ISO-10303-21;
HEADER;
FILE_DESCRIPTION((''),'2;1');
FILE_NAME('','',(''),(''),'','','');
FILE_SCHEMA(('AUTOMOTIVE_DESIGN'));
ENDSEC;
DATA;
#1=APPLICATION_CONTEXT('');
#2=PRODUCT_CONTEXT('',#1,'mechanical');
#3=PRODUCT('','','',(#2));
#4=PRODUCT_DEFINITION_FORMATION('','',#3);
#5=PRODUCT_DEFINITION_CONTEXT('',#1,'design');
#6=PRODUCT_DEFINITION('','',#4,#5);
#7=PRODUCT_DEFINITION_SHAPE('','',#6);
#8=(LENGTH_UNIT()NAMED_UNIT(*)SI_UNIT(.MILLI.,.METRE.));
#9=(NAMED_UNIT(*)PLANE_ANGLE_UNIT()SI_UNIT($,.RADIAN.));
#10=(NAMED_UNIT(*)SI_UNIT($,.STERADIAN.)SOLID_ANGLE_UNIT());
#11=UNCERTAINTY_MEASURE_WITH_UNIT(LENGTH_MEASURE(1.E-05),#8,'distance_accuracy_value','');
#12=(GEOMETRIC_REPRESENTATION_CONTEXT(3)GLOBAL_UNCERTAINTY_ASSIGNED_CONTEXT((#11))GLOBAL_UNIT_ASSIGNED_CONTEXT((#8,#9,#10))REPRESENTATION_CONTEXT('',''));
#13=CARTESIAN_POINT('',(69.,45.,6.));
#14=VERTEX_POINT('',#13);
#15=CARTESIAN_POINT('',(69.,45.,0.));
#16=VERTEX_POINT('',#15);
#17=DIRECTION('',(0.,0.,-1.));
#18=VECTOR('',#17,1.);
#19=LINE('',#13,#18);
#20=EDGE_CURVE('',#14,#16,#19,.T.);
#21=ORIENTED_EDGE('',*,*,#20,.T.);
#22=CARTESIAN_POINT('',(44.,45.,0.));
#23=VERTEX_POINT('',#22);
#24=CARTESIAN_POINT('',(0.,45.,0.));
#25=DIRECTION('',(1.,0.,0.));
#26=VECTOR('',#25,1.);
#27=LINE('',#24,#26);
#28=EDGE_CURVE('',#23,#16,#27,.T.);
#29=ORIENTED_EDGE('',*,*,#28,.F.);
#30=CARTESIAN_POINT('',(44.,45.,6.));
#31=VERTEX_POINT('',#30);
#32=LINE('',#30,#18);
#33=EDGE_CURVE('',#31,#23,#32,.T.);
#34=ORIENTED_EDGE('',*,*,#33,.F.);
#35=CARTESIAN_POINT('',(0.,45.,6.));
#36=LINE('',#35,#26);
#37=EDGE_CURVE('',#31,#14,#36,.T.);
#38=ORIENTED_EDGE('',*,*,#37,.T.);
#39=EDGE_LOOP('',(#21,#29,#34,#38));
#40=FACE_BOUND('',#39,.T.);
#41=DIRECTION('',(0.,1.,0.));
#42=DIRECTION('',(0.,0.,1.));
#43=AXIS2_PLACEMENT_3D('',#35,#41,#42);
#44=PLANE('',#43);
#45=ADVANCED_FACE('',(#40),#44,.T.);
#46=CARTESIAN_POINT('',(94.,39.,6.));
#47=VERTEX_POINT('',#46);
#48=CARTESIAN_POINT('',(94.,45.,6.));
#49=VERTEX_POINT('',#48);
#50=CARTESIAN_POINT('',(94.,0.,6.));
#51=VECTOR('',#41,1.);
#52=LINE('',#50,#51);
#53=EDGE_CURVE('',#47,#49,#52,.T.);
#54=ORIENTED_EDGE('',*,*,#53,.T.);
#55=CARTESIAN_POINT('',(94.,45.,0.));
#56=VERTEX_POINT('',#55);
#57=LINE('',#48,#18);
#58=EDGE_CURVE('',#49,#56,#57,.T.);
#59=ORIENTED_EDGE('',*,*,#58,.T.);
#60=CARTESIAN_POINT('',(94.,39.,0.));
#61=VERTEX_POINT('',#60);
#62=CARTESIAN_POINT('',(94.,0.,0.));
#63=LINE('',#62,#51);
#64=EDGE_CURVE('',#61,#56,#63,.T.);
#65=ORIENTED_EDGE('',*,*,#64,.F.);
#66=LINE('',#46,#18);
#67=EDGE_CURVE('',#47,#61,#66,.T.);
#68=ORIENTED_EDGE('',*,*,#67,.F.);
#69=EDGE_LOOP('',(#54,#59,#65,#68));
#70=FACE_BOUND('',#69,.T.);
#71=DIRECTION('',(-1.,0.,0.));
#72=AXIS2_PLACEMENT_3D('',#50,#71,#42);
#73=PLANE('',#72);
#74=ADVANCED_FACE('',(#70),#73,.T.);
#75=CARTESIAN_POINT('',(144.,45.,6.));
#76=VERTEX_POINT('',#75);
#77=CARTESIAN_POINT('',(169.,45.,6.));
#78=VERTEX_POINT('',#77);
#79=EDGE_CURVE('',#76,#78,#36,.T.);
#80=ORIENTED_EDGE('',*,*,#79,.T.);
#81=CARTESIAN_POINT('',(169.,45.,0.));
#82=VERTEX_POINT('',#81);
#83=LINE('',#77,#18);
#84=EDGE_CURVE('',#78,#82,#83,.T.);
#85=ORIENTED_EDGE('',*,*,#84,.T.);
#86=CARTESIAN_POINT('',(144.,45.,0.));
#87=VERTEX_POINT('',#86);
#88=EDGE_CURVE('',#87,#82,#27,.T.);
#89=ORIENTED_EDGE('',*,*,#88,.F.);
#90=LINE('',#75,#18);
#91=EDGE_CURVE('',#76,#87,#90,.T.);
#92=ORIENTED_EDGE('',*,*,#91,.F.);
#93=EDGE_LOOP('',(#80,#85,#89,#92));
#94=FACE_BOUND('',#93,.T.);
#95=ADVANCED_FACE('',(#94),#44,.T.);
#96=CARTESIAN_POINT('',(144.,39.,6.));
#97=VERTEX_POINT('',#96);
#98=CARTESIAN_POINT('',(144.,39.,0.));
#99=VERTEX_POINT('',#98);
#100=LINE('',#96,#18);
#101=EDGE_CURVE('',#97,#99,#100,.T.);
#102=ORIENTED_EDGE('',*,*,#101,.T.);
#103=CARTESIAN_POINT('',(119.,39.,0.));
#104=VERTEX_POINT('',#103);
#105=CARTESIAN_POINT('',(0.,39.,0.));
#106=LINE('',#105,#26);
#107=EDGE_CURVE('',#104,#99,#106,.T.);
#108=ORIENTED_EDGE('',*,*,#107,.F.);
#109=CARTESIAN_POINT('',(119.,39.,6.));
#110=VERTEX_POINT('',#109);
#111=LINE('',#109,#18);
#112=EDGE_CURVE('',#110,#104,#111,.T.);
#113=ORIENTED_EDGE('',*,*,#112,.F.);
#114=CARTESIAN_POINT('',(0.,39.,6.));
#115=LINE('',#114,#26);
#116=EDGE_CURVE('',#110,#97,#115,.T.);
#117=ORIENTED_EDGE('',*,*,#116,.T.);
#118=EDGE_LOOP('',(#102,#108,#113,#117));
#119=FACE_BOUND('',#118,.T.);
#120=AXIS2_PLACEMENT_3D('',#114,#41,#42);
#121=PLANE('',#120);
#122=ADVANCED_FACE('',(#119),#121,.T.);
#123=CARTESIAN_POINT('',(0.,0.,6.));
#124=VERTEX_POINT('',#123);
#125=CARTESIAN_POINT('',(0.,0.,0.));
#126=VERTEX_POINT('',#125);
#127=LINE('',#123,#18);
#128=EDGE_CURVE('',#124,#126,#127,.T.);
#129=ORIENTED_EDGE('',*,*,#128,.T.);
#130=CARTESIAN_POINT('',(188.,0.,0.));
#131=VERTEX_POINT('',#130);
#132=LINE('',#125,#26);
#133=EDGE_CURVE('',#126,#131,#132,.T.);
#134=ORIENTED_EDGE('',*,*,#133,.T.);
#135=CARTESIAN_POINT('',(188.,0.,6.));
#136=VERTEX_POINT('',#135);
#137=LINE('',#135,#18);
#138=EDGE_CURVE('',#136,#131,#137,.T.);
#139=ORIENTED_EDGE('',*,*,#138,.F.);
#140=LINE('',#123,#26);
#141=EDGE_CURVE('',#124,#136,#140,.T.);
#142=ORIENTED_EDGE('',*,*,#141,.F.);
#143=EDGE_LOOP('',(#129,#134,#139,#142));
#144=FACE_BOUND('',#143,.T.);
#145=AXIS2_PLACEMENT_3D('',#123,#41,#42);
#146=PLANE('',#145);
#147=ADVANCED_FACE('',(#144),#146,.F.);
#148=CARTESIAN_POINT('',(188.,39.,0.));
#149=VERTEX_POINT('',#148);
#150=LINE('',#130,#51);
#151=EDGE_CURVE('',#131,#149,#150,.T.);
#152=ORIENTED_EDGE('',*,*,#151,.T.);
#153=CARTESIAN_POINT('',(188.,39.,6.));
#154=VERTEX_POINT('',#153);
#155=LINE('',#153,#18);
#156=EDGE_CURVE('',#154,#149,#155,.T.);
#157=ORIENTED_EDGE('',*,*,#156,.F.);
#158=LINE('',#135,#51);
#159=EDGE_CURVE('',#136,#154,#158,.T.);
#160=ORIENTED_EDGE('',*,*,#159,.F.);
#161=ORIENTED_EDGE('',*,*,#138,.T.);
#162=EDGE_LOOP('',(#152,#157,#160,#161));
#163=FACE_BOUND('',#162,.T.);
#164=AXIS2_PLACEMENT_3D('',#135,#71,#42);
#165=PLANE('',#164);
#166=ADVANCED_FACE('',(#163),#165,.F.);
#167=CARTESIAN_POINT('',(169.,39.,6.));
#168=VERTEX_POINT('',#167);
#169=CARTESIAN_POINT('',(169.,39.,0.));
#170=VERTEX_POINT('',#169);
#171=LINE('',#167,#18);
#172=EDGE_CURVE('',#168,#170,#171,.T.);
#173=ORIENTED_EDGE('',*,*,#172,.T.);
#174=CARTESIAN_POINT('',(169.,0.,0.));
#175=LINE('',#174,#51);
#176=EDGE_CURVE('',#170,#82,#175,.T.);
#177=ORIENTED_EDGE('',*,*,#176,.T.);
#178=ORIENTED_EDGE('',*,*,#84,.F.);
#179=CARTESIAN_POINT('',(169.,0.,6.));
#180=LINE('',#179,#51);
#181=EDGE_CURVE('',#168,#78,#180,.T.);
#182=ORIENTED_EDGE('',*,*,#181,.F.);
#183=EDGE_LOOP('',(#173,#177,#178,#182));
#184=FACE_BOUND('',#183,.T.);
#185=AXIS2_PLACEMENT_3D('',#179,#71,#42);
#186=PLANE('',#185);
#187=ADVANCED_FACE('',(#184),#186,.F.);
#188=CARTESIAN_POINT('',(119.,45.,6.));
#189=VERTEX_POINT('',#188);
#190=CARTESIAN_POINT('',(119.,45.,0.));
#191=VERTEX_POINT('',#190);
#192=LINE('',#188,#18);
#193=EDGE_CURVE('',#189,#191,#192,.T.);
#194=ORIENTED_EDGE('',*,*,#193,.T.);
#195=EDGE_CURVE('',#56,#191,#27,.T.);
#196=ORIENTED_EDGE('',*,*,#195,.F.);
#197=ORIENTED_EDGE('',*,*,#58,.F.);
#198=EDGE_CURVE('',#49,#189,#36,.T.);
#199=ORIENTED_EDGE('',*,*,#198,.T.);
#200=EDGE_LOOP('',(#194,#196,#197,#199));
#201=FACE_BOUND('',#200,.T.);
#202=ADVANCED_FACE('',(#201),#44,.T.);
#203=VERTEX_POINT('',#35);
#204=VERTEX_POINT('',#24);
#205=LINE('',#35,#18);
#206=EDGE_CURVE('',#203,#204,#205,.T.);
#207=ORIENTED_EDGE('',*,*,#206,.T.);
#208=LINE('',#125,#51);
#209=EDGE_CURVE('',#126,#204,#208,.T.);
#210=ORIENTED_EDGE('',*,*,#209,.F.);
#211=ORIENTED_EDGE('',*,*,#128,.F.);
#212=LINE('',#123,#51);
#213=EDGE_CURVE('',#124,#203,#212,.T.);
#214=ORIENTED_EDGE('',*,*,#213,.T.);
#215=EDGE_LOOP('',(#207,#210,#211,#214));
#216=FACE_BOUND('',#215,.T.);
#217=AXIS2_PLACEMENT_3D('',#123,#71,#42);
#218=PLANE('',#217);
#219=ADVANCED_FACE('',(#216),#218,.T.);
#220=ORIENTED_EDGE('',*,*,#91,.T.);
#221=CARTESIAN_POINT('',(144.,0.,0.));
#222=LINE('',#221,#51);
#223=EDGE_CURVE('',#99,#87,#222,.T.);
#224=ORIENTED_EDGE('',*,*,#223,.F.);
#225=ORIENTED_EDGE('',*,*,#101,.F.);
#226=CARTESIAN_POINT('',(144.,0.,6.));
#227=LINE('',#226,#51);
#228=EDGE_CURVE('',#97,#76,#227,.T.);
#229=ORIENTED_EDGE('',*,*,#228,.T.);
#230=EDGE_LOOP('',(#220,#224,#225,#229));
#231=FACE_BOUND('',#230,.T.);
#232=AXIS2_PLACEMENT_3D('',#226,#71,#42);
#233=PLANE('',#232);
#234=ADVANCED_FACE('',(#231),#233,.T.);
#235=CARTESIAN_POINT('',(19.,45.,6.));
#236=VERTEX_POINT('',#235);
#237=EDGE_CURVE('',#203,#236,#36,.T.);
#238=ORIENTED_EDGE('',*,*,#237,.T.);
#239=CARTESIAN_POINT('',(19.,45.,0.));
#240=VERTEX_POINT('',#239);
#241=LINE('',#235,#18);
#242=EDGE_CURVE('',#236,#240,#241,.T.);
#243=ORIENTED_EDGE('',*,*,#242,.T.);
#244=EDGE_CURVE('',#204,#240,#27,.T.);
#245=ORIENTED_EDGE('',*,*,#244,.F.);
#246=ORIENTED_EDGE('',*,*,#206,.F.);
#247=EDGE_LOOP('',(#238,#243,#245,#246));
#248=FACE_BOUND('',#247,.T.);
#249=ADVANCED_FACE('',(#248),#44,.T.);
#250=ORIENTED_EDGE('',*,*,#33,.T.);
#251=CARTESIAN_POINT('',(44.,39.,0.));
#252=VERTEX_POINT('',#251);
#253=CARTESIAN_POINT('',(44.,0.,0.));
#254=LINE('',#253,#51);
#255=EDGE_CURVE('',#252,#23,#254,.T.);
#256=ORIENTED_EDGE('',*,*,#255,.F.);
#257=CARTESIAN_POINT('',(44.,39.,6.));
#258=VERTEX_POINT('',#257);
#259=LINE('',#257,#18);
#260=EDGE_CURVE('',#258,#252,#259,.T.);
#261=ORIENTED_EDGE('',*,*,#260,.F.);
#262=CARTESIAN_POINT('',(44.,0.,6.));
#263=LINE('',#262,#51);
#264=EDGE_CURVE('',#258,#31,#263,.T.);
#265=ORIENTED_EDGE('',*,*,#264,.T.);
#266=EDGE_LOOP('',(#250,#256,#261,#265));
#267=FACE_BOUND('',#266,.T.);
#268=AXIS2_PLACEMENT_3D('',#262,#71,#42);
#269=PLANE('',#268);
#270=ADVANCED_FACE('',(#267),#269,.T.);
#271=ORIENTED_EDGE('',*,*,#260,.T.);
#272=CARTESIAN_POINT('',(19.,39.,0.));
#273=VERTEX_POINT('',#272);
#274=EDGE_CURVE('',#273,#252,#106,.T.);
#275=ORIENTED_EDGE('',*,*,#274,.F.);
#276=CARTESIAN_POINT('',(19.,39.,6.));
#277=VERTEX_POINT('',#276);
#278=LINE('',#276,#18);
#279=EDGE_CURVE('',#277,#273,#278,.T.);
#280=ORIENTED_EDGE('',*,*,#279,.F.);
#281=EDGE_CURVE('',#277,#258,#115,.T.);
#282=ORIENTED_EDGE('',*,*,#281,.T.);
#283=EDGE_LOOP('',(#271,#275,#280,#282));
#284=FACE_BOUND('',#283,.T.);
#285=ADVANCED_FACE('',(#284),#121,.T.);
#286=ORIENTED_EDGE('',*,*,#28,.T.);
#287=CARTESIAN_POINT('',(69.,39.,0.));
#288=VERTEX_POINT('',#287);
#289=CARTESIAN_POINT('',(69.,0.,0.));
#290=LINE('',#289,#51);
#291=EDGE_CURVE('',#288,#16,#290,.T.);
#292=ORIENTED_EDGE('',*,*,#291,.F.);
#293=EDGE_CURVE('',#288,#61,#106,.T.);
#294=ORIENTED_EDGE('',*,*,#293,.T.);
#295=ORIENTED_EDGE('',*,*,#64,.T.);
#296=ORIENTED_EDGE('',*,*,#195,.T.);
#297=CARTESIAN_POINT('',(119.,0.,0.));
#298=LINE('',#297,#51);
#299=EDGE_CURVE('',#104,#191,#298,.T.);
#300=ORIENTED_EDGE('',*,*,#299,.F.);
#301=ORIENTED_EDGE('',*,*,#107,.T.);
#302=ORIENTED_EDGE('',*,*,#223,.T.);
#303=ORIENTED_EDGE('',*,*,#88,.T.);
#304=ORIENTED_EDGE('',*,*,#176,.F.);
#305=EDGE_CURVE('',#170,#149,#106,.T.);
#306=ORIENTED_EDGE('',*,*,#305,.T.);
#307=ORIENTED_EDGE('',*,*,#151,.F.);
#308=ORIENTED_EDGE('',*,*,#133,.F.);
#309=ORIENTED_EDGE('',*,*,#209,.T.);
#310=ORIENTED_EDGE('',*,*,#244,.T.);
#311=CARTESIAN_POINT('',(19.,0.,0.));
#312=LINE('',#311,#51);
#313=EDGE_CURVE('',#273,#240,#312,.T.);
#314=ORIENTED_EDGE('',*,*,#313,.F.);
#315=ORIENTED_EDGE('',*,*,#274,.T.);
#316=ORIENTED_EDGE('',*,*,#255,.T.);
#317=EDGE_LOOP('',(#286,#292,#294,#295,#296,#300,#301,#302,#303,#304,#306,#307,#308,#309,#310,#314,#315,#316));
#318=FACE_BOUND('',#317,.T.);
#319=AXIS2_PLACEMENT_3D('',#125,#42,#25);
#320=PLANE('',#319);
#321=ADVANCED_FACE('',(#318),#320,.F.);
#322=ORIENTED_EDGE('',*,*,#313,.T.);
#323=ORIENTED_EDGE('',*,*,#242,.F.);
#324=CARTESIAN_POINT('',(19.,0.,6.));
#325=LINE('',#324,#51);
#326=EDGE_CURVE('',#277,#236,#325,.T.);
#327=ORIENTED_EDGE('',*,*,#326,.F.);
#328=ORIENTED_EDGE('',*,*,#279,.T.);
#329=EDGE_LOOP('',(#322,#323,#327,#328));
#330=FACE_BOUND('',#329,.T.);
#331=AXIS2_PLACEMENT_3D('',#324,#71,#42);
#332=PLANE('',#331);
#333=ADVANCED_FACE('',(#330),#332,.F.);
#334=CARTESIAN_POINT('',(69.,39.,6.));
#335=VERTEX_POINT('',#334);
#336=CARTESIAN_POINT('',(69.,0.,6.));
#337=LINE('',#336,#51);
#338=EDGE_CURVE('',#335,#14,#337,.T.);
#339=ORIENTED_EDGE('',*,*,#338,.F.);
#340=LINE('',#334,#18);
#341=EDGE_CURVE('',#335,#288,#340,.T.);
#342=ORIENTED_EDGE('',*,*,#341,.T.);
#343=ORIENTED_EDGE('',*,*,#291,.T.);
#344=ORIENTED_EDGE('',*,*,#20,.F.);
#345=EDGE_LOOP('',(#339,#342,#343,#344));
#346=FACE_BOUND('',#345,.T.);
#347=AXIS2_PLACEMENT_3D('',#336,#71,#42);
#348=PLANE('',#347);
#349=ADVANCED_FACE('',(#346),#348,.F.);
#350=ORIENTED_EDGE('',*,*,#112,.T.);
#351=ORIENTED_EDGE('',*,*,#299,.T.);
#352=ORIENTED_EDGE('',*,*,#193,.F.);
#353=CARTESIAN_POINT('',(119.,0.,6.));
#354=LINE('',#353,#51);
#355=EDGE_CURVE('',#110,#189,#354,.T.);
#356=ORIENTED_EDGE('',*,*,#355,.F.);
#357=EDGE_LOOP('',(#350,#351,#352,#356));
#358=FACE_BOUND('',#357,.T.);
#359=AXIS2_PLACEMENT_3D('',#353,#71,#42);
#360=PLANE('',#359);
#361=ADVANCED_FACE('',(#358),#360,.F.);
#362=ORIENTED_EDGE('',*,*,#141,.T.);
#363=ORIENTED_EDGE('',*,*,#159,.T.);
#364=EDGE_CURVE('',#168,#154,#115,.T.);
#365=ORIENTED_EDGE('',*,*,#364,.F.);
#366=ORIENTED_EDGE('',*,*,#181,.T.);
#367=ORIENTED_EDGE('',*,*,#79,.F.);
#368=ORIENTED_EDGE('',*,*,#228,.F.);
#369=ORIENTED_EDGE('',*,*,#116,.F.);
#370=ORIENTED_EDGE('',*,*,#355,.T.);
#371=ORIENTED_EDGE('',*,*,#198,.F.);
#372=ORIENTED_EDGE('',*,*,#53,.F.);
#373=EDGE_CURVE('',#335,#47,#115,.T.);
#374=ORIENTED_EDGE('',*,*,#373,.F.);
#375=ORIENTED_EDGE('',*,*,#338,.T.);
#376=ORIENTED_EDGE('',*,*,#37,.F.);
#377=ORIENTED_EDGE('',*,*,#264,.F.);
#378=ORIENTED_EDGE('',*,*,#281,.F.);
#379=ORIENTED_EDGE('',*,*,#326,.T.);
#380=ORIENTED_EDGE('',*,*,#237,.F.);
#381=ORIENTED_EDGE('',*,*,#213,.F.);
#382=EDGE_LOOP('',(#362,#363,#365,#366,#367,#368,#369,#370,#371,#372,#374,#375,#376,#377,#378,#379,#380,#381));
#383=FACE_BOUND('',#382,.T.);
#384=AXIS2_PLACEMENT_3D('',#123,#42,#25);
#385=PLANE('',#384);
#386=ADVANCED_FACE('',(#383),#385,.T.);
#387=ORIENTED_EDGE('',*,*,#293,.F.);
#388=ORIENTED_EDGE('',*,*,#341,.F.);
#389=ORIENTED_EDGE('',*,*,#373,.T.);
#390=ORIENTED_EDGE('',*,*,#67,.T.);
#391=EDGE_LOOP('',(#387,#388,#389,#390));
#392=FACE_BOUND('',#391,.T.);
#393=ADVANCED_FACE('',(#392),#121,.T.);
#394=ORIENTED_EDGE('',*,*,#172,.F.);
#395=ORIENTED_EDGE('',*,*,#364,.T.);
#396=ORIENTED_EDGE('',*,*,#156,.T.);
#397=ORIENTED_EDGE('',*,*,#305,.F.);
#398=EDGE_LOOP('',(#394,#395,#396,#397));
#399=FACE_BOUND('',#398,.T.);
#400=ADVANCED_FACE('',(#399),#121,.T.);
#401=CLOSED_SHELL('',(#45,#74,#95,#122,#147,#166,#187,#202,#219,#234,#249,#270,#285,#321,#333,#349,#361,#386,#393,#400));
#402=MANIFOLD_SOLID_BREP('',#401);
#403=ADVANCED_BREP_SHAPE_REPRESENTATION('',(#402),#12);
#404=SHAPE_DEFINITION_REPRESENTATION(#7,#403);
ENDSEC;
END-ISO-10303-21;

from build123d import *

# Parameters (mm, degrees)
RESSALTO_EXTRUS_O1_DEPTH = 6


with BuildPart() as part:
    # Esboço1 → Ressalto-extrusão1 (new body)
    with BuildSketch(Plane.XY):
        Polygon((169, 39), (188, 39), (188, 0), (0, 0), (0, 39), (0, 45), (19, 45), (19, 39), (44, 39), (44, 45), (69, 45), (69, 39), (94, 39), (94, 45), (119, 45), (119, 39), (144, 39), (144, 45), (169, 45), align=None)
    extrude(amount=RESSALTO_EXTRUS_O1_DEPTH)


solid = part.part
